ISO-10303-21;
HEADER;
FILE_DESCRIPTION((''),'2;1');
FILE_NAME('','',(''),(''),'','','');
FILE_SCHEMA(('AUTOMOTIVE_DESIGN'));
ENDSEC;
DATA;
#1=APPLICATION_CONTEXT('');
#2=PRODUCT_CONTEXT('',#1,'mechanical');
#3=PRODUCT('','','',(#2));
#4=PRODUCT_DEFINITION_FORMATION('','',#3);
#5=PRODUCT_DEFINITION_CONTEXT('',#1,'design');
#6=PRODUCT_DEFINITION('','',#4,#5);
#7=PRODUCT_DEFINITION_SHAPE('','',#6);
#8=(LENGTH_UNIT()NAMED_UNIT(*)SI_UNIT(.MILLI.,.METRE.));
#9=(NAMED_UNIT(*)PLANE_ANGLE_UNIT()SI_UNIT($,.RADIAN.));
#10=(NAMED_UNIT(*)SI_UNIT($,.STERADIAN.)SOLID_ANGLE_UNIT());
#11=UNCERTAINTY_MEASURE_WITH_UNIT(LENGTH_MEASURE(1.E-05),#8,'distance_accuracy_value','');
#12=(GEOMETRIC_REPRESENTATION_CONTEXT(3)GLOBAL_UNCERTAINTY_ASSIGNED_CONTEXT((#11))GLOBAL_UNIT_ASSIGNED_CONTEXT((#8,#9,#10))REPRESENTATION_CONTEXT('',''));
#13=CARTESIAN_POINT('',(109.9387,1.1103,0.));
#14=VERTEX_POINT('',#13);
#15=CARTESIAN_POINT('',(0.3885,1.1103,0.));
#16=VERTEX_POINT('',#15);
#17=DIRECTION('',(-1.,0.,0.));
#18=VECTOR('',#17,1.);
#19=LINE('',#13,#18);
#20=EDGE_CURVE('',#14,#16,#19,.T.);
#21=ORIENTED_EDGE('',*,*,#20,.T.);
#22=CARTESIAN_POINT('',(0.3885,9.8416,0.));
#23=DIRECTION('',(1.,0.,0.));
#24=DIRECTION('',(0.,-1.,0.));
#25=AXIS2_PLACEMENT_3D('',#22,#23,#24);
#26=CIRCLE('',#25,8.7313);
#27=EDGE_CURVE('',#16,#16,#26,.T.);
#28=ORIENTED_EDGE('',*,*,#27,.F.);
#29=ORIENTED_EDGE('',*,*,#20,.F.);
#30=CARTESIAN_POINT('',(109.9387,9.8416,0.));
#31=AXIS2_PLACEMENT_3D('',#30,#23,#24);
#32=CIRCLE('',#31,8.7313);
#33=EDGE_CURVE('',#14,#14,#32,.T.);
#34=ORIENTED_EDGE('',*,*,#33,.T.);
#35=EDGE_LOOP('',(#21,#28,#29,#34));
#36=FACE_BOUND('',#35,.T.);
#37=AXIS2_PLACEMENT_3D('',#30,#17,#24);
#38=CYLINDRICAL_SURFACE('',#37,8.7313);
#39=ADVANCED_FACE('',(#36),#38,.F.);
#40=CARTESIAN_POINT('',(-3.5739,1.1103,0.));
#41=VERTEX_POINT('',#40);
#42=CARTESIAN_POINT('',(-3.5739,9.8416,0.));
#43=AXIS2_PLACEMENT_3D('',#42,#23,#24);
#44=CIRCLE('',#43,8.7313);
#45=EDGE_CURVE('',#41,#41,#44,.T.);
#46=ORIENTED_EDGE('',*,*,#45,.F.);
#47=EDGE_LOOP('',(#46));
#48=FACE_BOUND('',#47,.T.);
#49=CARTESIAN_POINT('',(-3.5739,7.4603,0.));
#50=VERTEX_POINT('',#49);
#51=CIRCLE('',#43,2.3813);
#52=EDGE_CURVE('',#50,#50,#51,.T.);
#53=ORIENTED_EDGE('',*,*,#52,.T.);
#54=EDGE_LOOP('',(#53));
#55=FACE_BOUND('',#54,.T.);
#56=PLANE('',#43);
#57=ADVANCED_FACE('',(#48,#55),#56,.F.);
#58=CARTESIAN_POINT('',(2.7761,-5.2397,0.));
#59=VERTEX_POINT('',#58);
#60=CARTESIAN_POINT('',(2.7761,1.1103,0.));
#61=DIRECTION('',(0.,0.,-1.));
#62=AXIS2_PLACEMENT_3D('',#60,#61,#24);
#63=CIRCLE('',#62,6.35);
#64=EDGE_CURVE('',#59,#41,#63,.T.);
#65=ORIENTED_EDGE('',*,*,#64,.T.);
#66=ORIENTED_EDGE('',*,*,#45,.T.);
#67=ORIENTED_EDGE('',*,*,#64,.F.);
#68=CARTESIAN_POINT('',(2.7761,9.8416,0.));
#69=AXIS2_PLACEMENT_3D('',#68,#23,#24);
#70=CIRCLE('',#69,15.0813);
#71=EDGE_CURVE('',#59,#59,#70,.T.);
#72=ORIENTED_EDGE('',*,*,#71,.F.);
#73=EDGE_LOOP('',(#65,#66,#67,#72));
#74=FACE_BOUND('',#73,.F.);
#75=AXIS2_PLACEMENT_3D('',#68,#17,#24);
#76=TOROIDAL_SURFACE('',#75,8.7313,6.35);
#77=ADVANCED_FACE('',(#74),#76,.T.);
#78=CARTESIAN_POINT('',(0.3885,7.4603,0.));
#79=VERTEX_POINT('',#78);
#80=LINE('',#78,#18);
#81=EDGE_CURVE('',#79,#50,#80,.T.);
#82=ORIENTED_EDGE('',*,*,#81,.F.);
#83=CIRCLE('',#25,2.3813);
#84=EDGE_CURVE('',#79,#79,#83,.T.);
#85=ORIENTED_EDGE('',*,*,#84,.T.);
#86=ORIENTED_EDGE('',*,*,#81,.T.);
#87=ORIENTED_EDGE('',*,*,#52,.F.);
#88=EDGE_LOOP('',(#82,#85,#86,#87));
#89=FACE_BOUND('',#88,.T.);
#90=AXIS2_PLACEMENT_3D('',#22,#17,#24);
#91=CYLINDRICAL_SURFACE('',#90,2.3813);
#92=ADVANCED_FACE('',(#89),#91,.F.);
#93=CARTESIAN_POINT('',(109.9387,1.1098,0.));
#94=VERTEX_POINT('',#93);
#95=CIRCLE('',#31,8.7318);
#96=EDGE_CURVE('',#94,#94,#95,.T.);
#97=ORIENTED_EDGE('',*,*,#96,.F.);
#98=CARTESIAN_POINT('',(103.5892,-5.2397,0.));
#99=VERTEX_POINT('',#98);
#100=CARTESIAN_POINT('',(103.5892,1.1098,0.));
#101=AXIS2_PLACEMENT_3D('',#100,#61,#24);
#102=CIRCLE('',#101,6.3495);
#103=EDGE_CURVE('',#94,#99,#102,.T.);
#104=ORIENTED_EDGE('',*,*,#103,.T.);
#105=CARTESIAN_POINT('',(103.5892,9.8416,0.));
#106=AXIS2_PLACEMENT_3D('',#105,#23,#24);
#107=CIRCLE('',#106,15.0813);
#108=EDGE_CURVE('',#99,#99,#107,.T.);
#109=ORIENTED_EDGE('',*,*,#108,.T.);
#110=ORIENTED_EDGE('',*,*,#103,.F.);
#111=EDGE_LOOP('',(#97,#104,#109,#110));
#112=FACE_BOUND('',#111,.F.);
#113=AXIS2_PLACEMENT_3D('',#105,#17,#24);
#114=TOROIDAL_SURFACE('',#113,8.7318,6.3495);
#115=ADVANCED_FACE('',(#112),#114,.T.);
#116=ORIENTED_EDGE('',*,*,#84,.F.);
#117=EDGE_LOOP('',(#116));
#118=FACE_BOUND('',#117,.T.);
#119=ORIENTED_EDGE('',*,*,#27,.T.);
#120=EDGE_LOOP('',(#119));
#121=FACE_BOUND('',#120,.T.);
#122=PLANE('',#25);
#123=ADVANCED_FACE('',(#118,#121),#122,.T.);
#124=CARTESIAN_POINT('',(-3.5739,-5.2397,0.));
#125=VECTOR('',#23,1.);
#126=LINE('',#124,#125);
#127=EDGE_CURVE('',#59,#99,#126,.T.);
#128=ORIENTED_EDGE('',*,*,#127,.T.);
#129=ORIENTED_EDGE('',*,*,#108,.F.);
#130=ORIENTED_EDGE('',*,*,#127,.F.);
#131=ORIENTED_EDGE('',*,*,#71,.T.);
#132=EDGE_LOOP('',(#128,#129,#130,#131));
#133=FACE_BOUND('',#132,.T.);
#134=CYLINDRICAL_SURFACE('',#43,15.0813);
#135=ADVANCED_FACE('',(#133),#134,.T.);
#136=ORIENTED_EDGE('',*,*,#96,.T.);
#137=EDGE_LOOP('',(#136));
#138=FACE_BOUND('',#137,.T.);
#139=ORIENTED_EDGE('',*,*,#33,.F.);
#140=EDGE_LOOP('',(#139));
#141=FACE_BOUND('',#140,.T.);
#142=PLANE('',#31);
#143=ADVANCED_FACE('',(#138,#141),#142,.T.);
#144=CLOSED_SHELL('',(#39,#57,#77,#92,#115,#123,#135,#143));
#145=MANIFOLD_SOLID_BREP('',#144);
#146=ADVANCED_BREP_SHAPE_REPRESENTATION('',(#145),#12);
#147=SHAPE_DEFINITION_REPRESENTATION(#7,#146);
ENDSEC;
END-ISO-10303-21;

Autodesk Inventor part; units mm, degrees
ref_plane "YZ Plane" through (0, 0, 0) normal (1, 0, 0) x (0, 1, 0)
ref_plane "XZ Plane" through (0, 0, 0) normal (0, 1, 0) x (-1, 0, 0)
ref_plane "XY Plane" through (0, 0, 0) normal (0, 0, 1) x (1, 0, 0)
sketch "Sketch1" plane through (0, 0, 0) normal (0, 0, 1) x (1, 0, 0)
  line L0 (-3.5739, 7.4603) -> (-3.5739, -5.2397)
  line L1 (-3.5739, -5.2397) -> (109.9387, -5.2397)
  line L2 (109.9387, -5.2397) -> (109.9387, 1.1103)
  line L3 (109.9387, 1.1103) -> (0.3885, 1.1103)
  line L4 (0.3885, 1.1103) -> (0.3885, 7.4603)
  line L5 (0.3885, 7.4603) -> (-3.5739, 7.4603)
  line L6 (-3.5739, 7.4603) -> (-3.5739, 9.8416)
  line L7 (-3.5739, 9.8416) -> (113.4449, 9.8416)
  point P0 (0, 0)
  dimension "d0" = 3.9624
  dimension "d1" = 113.5126
  dimension "d2" = 6.35
  dimension "d3" = 12.7
  dimension "d4" = 2.3813
revolve "Revolution1" add sketch "Sketch1" angle 360 about axis through (-3.5739, 9.8416, 0) along (1, 0, 0)
fillet "Fillet1" radius 6.35 1 edges at (109.9387, 24.9228, 0)
fillet "Fillet2" radius 6.35 1 edges at (-3.5739, 24.9228, 0)
properties part number "handle bar" material "Rubber"
